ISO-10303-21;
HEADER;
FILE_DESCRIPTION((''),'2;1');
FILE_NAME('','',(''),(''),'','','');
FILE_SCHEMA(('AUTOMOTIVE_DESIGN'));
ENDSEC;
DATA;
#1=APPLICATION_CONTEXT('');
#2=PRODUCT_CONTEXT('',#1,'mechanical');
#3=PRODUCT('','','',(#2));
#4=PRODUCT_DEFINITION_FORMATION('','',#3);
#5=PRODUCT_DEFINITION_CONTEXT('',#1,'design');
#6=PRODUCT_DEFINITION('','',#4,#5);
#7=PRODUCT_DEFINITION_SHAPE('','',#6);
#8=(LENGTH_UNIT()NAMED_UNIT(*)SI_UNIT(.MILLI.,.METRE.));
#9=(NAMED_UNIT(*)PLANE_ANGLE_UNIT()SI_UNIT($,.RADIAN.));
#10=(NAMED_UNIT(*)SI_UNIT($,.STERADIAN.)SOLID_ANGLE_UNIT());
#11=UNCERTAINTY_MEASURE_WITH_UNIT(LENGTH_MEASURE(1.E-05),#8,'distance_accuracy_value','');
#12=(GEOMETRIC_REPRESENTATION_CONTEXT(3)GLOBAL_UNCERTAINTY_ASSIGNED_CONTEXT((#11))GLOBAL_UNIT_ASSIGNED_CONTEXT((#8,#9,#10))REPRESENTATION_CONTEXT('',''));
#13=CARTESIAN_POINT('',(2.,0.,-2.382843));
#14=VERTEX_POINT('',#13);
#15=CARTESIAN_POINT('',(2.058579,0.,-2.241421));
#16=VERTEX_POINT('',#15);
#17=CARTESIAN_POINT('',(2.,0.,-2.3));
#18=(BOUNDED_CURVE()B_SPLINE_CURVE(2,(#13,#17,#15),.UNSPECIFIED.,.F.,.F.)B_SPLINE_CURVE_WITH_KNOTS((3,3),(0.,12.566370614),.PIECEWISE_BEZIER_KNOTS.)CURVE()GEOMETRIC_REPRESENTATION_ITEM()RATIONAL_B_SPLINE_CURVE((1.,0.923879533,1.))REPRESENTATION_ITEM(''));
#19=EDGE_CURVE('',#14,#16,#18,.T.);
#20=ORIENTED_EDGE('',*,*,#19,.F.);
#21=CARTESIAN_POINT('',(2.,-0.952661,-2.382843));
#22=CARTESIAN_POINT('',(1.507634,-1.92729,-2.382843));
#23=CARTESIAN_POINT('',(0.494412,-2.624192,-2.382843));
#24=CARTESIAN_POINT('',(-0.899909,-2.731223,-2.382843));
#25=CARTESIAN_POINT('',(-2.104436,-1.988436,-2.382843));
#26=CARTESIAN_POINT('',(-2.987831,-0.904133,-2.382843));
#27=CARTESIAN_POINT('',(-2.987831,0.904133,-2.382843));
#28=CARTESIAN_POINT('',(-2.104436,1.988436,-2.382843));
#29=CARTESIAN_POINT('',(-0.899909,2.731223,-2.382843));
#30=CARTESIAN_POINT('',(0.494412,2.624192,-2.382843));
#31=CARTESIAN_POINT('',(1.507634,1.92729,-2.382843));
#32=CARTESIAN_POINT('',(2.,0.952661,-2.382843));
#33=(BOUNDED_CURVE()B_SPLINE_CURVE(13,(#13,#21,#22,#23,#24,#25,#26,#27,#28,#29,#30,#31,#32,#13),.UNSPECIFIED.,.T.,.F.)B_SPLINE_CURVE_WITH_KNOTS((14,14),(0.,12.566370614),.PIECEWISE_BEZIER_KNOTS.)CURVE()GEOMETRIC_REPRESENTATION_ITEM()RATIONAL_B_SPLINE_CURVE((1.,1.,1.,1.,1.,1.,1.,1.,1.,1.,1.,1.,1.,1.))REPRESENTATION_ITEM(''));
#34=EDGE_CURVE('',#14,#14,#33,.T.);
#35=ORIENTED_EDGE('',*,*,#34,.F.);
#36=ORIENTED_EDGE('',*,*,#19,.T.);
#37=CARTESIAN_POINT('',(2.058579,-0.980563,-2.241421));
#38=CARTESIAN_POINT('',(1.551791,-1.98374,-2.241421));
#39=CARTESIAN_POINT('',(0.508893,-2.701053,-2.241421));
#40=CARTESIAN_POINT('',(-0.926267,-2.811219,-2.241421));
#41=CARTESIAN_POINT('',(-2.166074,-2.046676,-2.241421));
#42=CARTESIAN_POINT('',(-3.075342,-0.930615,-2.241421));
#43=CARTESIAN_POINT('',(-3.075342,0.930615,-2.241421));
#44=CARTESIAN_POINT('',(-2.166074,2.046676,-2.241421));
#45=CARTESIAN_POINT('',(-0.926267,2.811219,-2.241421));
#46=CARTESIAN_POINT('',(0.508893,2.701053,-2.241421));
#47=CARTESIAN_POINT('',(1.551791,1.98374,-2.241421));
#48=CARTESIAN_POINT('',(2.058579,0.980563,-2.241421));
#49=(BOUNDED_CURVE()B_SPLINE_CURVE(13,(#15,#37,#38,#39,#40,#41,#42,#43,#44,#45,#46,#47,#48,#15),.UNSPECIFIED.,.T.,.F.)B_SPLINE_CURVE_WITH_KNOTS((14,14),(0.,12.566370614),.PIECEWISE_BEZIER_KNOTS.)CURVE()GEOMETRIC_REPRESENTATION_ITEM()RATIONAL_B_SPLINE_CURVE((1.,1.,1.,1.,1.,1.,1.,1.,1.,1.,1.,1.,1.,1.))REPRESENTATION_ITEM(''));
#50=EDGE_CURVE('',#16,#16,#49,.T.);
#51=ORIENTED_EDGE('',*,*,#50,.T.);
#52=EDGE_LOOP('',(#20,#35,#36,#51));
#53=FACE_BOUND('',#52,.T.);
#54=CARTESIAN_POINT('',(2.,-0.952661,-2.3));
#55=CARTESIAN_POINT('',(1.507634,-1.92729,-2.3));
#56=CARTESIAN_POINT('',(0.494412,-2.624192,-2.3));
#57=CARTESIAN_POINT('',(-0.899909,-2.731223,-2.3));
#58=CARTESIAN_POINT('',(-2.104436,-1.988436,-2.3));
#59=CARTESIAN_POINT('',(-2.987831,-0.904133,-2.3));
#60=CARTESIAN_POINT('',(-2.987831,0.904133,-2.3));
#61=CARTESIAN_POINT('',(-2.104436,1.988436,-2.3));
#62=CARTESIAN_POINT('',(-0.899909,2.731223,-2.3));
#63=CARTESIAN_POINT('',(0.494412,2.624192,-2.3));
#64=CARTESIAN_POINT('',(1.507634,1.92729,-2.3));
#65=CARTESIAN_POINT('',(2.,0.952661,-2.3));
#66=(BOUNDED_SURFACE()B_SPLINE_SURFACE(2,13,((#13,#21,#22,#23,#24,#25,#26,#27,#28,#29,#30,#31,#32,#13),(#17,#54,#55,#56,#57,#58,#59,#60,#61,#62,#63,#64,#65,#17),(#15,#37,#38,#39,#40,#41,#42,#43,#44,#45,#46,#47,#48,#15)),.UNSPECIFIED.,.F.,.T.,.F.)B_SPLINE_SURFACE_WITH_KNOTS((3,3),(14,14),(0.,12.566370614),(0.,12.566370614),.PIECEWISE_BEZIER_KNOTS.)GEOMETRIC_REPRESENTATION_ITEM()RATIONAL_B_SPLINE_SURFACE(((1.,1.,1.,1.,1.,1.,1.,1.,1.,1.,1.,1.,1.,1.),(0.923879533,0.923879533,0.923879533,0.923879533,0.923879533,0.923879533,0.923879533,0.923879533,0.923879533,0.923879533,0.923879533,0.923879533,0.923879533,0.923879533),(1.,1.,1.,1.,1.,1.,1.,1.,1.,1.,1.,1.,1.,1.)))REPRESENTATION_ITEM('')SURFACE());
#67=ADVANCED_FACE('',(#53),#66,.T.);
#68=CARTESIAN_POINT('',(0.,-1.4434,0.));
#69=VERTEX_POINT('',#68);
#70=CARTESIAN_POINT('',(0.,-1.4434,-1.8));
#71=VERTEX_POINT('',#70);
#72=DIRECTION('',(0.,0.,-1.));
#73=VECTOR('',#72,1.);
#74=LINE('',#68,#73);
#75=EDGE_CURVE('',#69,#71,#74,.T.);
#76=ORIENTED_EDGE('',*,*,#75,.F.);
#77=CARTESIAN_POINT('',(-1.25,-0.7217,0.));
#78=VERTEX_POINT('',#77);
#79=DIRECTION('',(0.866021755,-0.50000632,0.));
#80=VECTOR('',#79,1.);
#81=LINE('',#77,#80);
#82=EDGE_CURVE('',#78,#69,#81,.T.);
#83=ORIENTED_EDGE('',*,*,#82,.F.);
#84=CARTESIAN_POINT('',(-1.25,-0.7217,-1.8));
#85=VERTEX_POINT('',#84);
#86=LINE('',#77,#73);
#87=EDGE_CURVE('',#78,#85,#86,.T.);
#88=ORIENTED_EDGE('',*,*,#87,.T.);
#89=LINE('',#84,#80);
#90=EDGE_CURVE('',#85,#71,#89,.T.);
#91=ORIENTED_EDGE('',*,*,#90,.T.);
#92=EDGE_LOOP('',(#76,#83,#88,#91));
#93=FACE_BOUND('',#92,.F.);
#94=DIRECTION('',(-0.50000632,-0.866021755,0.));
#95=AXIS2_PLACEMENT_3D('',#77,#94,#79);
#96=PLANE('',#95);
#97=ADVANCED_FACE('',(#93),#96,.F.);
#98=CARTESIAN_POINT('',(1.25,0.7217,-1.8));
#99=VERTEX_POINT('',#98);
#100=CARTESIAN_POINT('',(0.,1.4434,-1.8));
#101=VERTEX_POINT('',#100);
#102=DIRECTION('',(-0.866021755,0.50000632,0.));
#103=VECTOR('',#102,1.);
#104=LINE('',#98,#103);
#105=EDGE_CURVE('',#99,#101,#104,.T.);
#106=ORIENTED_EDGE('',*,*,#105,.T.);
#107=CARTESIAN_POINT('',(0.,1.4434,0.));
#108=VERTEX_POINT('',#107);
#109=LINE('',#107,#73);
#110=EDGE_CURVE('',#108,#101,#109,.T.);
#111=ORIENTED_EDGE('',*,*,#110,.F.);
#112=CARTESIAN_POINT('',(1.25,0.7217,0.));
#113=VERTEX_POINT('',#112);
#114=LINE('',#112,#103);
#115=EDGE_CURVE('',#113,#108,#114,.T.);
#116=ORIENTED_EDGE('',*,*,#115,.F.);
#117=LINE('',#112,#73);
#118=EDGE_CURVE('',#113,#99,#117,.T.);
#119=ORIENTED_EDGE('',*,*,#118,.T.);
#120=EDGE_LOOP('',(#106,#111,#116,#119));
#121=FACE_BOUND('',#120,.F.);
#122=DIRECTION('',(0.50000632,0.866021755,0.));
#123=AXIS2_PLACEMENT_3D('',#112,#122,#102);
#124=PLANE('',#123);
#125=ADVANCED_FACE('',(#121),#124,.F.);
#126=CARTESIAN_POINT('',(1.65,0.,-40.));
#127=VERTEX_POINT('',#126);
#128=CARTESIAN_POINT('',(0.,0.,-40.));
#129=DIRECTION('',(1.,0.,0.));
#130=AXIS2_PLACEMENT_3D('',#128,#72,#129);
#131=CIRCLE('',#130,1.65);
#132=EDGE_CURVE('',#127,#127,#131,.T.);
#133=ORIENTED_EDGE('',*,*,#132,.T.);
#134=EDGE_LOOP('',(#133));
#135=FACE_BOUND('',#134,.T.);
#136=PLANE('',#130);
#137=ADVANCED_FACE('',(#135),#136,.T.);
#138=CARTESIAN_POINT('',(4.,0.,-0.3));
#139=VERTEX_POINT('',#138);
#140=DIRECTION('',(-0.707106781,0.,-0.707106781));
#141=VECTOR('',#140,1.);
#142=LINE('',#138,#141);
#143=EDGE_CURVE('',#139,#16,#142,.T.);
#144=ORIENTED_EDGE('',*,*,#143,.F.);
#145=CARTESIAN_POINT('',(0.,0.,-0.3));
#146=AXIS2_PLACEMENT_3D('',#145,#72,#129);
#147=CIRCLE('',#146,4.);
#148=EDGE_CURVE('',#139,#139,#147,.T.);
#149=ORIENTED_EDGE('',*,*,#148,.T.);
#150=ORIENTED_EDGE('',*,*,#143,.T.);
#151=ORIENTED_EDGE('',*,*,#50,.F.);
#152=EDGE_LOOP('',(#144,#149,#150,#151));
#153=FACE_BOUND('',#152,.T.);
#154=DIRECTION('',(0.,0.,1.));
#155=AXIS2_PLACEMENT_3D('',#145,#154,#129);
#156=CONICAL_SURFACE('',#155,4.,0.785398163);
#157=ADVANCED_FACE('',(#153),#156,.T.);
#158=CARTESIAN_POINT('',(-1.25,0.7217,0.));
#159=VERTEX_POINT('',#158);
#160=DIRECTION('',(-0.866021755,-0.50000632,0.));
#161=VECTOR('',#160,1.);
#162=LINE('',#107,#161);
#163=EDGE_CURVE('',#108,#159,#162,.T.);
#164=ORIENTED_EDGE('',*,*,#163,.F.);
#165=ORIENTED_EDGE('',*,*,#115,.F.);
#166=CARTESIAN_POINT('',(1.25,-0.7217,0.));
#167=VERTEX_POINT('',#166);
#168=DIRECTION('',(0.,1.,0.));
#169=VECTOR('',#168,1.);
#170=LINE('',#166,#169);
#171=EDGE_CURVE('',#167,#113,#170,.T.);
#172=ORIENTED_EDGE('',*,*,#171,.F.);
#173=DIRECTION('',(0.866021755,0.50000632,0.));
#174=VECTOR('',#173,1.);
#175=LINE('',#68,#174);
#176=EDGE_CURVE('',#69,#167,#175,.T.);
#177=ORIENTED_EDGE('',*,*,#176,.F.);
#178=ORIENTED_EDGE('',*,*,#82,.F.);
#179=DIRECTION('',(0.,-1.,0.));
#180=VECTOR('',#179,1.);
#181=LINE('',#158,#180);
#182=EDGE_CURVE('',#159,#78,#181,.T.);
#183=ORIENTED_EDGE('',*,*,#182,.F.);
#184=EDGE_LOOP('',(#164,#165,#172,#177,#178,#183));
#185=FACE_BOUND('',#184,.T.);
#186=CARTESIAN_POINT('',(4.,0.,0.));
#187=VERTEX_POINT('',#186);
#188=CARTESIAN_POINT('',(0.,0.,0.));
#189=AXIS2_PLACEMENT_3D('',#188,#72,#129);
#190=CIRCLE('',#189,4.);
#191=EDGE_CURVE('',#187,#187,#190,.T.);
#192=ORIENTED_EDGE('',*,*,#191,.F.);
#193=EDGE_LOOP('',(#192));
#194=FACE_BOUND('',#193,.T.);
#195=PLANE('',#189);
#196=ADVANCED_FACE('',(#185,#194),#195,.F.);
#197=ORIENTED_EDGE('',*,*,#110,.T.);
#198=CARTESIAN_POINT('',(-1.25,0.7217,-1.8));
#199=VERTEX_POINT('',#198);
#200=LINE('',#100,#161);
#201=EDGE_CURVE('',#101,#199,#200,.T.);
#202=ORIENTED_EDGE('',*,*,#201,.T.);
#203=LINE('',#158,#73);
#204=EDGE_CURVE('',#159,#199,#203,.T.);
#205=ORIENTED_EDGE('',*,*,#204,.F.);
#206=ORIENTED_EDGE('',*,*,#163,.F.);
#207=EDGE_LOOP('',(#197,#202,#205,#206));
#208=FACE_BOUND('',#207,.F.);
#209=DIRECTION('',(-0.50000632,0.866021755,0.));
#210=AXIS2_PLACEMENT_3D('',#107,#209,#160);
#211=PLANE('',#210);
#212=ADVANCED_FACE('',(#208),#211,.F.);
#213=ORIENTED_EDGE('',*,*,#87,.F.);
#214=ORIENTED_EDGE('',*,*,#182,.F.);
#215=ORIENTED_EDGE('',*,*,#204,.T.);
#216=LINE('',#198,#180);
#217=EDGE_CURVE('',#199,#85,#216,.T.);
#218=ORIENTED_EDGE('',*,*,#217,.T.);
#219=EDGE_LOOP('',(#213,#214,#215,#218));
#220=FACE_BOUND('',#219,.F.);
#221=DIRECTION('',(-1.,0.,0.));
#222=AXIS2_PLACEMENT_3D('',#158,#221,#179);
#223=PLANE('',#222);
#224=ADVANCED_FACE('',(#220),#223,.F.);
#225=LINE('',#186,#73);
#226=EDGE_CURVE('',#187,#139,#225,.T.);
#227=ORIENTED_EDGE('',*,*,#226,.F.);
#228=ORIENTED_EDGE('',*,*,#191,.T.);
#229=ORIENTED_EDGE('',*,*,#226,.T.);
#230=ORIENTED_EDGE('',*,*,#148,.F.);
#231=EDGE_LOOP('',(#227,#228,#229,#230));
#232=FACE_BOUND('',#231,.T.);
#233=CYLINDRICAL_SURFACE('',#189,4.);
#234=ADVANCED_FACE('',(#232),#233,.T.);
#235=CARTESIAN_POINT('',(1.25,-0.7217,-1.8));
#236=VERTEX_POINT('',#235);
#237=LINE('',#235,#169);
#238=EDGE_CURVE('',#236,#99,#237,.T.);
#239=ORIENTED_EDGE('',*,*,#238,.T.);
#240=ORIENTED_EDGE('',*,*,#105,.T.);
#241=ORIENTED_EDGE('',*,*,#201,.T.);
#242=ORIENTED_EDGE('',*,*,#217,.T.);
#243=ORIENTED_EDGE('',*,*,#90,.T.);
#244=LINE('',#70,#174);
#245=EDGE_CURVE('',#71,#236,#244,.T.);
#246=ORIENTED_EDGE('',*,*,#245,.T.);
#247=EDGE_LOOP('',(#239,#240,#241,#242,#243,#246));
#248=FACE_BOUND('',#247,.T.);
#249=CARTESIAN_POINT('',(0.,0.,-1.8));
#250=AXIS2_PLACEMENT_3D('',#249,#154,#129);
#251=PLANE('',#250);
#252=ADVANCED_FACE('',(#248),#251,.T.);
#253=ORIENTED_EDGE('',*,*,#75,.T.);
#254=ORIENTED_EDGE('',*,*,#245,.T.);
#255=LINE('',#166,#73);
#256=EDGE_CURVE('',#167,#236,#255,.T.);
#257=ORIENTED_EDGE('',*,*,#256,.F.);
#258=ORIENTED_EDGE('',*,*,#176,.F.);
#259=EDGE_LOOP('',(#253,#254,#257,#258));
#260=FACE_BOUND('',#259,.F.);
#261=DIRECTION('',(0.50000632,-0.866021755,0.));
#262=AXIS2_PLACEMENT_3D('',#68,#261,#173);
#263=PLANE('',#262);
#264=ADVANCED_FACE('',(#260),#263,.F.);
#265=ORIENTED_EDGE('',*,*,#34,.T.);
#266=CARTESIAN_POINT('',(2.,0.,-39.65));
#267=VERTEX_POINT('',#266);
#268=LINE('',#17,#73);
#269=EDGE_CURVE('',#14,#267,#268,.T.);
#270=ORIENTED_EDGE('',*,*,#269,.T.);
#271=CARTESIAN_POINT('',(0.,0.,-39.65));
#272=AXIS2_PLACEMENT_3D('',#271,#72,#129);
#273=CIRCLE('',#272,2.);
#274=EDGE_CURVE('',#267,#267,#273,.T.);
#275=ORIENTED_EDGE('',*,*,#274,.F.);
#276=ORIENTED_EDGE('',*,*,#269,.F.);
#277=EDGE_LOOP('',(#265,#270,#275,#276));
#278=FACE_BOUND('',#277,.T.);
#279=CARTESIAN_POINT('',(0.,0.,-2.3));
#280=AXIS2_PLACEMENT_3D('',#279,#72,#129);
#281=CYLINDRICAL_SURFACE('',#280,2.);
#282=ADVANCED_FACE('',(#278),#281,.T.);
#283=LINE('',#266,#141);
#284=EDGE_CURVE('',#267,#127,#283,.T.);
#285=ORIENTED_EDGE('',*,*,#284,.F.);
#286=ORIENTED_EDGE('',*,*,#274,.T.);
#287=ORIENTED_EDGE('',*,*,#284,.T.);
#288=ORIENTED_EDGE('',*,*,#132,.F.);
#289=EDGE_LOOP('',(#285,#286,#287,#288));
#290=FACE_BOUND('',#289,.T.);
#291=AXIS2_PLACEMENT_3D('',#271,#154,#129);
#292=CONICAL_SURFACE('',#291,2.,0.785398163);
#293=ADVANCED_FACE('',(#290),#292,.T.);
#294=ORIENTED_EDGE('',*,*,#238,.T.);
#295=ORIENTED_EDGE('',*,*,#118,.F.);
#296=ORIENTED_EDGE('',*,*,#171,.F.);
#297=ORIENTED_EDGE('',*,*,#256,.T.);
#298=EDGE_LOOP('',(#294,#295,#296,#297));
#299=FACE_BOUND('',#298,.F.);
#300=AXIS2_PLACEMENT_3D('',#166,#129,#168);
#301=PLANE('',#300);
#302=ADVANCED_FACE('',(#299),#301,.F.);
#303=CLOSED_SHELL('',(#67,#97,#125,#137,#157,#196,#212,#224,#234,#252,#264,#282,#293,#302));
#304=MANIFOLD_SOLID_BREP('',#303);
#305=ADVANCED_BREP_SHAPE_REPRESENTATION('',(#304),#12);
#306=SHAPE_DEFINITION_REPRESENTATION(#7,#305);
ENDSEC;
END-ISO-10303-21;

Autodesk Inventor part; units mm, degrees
ref_plane "YZ Plane" through (0, 0, 0) normal (1, 0, 0) x (0, 1, 0)
sketch "Sketch1" plane through (0, 0, 0) normal (0, 1, 0) x (-1, 0, 0)
  point P0 (0, 0)
sketch "Sketch2" plane through (0, 0, 0) normal (0, 1, 0) x (-1, 0, 0)
  line L0 (-2, -40) -> (0, -40)
  line L1 (-2, -2.3) -> (-2, -40)
  line L2 (-4, -0.3) -> (-2, -2.3)
  line L3 (-4, 0) -> (-4, -0.3)
  line L4 (0, 0) -> (-4, 0)
  line L5 (0, -40) -> (0, 0)
  line L6 (0, -40) -> (0, 0)
  line L7 (0, -48) -> (0, 8) projected
  line L8 (0.8, 0) -> (-4.8, 0) projected
  dimension "d3" = 4
  dimension "d5" = 2
  dimension "d7" = 40
  dimension "ParC" = 0.3
  dimension "d22" = 0
  dimension "d23" = 0
  dimension "d43" = 45
revolve "Revolution1" add sketch "Sketch2" angle 360 about axis through (0, 0, -40) along (0, 0, -1)
sketch "Sketch3" plane through (0, 0, 0) normal (0, 0, 1) x (1, 0, 0)
  line L0 (-1.25, 0.7217) -> (-1.25, -0.7217)
  line L1 (0, 1.4434) -> (-1.25, 0.7217)
  line L2 (1.25, 0.7217) -> (0, 1.4434)
  line L3 (1.25, -0.7217) -> (1.25, 0.7217)
  line L4 (0, -1.4434) -> (1.25, -0.7217)
  line L5 (-1.25, -0.7217) -> (0, -1.4434)
  circle A0 centre (0, 0) radius 1.25 construction
  circle A1 centre (0, 0) radius 2 construction
  dimension "d11" = 2.5
  dimension "d13" = 120
  dimension "d15" = 120
extrude "Extrusion1" cut sketch "Sketch3" against normal blind 1.8
fillet "Fillet1" radius 0.2 1 edges at (-2, 0, -2.3)
chamfer "Chamfer1" distance 0.35 angle 45 1 edges at (-2, 0, -40) measured on face at (-0.9288, -1.7713, -27.4609)
thread "Thread1" size "M4x0.7" class "6g" standard "ISO Metric profile" length 14
ref_plane "MSC_PF1" through (0, 0, 0) normal (1, 0, 0) x (0, 1, 0)
ref_plane "MSC_PT1" through (0, 0, 0) normal (0, 0, -1) x (-1, 0, 0)
equation "\"d3\" = 0.5 * dk"
equation "\"d5\" = 0.5 * NND"
equation "\"d7\" = NLG"
equation "\"d43\" = 0.5 * ang"
equation "\"d18\" = r"
equation "\"d19\" = 0.5 * PTC"
equation "\"d39\" = 0.5 * PTC"
equation "\"d11\" = ParS"
equation "\"d16\" = ParT"
equation "\"NND\" = 4"
equation "\"PTC\" = 0.7"
equation "\"dk\" = 8"
equation "\"ParK\" = 2.3"
equation "\"ParS\" = 2.5"
equation "\"ParT\" = 1.8"
equation "\"r\" = 0.2"
equation "\"NLG\" = 40"
equation "\"ang\" = 90deg"
equation "\"THREADDIA\" = NND"
properties part number "DIN 7991 - M4x40" material "Steel, Mild"
